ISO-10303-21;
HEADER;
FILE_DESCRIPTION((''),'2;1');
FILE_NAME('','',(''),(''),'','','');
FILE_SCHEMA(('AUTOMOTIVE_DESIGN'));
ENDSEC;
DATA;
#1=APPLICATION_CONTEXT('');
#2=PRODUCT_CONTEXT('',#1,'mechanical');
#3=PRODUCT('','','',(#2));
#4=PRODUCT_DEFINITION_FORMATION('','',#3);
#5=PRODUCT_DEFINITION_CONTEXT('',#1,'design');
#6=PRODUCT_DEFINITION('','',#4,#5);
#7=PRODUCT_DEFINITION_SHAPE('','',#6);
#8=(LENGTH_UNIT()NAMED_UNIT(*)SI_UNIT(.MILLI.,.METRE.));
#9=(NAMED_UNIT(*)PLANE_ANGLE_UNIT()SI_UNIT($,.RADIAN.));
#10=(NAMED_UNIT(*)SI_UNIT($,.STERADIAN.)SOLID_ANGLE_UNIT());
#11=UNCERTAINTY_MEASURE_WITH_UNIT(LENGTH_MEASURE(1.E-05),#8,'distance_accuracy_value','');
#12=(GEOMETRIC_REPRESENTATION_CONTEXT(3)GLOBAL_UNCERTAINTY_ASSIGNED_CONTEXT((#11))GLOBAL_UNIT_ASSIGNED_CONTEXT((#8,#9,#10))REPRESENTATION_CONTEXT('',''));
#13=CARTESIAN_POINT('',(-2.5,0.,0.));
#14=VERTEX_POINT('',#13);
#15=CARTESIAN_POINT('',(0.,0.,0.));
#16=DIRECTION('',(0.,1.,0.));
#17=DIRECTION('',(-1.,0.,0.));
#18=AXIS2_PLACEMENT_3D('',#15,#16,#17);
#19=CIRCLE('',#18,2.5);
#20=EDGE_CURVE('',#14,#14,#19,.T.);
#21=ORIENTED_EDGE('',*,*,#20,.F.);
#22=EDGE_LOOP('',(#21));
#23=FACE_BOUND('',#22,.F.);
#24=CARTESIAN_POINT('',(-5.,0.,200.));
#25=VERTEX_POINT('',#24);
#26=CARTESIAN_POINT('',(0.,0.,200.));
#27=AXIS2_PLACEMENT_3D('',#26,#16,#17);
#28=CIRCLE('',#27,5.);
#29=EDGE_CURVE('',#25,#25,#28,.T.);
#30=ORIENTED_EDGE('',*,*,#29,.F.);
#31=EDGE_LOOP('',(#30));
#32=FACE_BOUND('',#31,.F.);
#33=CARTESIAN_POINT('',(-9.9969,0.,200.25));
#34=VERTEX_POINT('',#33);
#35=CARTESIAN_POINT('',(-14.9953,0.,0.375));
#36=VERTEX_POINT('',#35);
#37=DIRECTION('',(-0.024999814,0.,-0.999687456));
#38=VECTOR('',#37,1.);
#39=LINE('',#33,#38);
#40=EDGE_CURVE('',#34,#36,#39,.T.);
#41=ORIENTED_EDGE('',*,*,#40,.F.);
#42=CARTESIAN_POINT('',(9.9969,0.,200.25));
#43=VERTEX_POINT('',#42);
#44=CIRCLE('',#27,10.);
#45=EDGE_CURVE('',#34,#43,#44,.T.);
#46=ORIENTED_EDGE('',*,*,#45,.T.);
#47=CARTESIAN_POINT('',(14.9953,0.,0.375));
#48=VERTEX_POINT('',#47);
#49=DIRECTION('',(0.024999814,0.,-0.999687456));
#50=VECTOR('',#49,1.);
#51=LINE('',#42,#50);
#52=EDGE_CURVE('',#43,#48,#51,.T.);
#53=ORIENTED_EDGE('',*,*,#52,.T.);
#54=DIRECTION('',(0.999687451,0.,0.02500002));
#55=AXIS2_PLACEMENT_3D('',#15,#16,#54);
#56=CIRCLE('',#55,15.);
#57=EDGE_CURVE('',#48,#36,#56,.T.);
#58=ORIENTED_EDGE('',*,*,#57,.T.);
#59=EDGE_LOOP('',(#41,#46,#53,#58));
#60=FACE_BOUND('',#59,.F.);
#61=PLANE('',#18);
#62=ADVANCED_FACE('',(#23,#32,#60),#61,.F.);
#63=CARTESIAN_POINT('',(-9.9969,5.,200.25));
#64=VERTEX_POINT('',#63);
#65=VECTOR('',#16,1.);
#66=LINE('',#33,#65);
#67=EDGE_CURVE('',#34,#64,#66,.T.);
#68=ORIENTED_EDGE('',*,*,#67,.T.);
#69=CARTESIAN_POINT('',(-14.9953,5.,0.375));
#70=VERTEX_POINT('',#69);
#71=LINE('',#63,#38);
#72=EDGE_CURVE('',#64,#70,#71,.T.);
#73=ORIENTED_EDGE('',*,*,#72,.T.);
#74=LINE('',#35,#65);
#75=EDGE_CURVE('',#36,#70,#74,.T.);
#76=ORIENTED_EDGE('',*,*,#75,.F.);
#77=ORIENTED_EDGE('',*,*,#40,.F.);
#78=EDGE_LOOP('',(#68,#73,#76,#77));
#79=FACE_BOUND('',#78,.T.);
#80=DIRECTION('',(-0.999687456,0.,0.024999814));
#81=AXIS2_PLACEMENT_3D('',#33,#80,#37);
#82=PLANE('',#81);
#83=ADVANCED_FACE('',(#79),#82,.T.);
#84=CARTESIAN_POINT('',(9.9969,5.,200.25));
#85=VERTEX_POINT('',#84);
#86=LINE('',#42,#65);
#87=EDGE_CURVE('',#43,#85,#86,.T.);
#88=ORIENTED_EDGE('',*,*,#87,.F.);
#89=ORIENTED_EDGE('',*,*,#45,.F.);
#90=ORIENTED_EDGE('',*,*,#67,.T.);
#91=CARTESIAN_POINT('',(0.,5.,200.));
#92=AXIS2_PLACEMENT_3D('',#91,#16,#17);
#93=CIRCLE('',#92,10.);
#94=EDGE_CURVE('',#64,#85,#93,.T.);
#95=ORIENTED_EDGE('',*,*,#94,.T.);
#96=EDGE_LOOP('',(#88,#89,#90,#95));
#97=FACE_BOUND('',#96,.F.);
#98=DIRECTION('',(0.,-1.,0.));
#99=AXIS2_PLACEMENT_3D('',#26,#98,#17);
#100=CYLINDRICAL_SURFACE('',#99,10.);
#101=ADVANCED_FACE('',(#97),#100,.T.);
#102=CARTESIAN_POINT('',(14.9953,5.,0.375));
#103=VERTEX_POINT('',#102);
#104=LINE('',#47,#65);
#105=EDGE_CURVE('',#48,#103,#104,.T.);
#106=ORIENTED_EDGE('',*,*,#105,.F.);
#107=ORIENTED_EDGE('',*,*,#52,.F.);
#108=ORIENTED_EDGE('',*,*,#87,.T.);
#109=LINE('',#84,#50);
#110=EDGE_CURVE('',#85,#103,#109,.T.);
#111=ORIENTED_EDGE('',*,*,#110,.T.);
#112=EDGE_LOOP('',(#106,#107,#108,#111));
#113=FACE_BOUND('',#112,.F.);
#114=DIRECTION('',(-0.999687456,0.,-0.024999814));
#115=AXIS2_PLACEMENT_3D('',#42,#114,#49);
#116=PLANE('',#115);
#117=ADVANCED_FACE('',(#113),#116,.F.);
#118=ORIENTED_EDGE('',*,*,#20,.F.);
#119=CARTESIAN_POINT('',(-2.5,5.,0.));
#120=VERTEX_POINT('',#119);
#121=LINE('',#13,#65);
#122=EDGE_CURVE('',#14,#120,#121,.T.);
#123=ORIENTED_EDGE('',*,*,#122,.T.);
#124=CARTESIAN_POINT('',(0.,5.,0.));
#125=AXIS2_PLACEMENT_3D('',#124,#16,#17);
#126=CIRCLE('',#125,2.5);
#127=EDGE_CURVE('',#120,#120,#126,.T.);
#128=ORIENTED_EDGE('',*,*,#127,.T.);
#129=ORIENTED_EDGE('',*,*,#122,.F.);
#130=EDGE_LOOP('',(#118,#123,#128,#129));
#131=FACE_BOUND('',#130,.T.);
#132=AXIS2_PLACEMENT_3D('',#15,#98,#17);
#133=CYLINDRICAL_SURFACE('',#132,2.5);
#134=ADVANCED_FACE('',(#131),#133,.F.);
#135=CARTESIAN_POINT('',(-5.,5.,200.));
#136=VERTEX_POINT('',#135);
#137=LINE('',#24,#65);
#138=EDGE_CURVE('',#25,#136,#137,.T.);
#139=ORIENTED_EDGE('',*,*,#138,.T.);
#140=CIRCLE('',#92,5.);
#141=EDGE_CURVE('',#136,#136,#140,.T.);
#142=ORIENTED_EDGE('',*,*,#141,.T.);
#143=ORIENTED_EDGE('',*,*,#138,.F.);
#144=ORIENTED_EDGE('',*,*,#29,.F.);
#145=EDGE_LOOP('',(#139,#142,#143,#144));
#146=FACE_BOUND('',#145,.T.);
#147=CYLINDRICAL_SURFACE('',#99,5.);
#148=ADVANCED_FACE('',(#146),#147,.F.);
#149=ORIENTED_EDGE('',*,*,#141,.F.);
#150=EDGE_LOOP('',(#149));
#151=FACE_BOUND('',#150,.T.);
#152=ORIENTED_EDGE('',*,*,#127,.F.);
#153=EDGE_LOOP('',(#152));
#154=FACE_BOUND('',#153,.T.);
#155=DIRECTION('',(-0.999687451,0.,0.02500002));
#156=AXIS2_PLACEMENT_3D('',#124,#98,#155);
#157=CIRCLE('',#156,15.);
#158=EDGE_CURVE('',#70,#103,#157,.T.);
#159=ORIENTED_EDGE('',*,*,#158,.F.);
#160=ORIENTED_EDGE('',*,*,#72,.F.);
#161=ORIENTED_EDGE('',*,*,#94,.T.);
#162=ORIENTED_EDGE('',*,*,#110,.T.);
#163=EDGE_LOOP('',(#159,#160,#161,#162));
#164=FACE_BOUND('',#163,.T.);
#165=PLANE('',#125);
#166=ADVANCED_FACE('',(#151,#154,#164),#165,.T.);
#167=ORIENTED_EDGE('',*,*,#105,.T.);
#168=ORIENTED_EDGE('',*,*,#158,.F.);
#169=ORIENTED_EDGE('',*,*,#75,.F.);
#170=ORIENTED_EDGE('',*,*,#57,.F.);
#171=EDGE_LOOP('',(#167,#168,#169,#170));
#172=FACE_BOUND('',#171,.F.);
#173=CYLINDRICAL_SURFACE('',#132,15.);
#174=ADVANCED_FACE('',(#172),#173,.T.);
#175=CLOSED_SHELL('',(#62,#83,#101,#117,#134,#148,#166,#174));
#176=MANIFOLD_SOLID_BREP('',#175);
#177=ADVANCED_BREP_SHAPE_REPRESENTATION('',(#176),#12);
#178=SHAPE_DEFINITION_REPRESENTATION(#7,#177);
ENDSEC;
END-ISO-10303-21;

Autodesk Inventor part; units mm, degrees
ref_plane "YZ Plane" through (0, 0, 0) normal (1, 0, 0) x (0, 1, 0)
ref_plane "XZ Plane" through (0, 0, 0) normal (0, 1, 0) x (-1, 0, 0)
ref_plane "XY Plane" through (0, 0, 0) normal (0, 0, 1) x (1, 0, 0)
sketch "Sketch1" plane through (0, 0, 0) normal (0, 1, 0) x (-1, 0, 0)
  circle A0 centre (0, 0) radius 2.5
  circle A1 centre (0, 0) radius 15
  circle A2 centre (0, 200) radius 5
  circle A3 centre (0, 200) radius 10
  line L0 (9.9969, 200.25) -> (14.9953, 0.375)
  line L1 (-9.9969, 200.25) -> (-14.9953, 0.375)
  dimension "d0" = 5
  dimension "d1" = 30
  dimension "d2" = 10
  dimension "d3" = 200
  dimension "d4" = 20
extrude "Extrusion1" add sketch "Sketch1" along normal blind 5
properties part number "Canh_Tay_2" material "Nylon 6/6"
